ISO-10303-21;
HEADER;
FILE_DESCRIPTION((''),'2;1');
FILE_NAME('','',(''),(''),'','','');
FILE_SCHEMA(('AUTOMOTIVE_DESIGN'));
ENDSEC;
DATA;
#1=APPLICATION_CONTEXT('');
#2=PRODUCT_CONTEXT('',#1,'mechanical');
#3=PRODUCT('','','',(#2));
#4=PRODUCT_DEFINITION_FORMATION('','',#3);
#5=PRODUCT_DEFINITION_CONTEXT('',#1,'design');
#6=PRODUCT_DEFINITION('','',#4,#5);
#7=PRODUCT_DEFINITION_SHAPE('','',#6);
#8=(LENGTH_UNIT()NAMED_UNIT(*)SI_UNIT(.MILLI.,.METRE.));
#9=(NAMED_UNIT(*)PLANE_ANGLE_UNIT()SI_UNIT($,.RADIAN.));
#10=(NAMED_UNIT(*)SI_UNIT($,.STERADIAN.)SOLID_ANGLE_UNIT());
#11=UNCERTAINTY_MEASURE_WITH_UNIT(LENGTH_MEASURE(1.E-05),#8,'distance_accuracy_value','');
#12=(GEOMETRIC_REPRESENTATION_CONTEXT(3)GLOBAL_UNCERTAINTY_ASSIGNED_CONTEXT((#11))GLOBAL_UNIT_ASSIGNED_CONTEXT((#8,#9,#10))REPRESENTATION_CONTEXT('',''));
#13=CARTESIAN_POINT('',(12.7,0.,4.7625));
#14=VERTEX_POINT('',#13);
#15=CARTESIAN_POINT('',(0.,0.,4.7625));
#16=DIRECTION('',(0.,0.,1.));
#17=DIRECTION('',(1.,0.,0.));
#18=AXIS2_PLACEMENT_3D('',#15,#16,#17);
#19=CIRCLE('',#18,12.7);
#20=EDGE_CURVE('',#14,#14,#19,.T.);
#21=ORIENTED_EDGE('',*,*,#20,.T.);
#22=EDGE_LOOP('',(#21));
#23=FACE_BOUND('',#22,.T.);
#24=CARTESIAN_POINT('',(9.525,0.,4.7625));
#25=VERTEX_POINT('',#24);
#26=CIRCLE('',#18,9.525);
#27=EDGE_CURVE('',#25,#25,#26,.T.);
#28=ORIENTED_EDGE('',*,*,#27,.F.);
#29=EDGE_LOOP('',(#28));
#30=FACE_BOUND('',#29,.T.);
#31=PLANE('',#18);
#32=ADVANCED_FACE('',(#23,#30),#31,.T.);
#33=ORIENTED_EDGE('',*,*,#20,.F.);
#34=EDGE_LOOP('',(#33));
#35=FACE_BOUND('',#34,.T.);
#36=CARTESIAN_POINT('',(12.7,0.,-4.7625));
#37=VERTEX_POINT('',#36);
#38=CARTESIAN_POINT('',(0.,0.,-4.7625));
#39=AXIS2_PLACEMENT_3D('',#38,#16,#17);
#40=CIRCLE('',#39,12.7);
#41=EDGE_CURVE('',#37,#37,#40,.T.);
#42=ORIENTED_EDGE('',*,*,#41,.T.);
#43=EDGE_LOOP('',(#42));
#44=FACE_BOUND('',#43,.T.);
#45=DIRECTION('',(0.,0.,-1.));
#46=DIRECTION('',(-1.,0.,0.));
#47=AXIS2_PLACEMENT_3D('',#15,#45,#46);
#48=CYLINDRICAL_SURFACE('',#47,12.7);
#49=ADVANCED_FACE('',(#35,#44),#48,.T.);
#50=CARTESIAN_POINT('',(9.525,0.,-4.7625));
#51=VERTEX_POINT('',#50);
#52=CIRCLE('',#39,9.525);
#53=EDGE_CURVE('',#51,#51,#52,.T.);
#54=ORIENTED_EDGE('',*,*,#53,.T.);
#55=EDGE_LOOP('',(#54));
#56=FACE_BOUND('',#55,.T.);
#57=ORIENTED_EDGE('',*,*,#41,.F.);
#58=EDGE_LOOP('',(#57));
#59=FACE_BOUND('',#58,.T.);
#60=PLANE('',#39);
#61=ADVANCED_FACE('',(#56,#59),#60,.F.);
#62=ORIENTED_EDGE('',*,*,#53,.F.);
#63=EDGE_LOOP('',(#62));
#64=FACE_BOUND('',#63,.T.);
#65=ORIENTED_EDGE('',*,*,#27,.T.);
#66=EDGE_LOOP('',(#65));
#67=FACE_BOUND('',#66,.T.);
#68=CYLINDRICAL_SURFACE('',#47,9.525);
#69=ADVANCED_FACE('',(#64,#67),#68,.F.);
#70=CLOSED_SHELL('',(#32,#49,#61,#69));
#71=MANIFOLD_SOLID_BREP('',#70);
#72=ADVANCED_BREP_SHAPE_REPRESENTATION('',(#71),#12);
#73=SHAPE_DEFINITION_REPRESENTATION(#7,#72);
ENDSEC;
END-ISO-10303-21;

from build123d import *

# Parameters (mm, degrees)
SKETCH3_R           = 12.7
SKETCH3_R_2         = 9.525
BOSS_EXTRUDE1_DEPTH = 4.7625


with BuildPart() as part:
    # Sketch3 → Boss-Extrude1 (new body, symmetric)
    with BuildSketch(Plane.XY):
        Circle(SKETCH3_R)
        Circle(SKETCH3_R_2, mode=Mode.SUBTRACT)
    extrude(amount=BOSS_EXTRUDE1_DEPTH, both=True)


solid = part.part
